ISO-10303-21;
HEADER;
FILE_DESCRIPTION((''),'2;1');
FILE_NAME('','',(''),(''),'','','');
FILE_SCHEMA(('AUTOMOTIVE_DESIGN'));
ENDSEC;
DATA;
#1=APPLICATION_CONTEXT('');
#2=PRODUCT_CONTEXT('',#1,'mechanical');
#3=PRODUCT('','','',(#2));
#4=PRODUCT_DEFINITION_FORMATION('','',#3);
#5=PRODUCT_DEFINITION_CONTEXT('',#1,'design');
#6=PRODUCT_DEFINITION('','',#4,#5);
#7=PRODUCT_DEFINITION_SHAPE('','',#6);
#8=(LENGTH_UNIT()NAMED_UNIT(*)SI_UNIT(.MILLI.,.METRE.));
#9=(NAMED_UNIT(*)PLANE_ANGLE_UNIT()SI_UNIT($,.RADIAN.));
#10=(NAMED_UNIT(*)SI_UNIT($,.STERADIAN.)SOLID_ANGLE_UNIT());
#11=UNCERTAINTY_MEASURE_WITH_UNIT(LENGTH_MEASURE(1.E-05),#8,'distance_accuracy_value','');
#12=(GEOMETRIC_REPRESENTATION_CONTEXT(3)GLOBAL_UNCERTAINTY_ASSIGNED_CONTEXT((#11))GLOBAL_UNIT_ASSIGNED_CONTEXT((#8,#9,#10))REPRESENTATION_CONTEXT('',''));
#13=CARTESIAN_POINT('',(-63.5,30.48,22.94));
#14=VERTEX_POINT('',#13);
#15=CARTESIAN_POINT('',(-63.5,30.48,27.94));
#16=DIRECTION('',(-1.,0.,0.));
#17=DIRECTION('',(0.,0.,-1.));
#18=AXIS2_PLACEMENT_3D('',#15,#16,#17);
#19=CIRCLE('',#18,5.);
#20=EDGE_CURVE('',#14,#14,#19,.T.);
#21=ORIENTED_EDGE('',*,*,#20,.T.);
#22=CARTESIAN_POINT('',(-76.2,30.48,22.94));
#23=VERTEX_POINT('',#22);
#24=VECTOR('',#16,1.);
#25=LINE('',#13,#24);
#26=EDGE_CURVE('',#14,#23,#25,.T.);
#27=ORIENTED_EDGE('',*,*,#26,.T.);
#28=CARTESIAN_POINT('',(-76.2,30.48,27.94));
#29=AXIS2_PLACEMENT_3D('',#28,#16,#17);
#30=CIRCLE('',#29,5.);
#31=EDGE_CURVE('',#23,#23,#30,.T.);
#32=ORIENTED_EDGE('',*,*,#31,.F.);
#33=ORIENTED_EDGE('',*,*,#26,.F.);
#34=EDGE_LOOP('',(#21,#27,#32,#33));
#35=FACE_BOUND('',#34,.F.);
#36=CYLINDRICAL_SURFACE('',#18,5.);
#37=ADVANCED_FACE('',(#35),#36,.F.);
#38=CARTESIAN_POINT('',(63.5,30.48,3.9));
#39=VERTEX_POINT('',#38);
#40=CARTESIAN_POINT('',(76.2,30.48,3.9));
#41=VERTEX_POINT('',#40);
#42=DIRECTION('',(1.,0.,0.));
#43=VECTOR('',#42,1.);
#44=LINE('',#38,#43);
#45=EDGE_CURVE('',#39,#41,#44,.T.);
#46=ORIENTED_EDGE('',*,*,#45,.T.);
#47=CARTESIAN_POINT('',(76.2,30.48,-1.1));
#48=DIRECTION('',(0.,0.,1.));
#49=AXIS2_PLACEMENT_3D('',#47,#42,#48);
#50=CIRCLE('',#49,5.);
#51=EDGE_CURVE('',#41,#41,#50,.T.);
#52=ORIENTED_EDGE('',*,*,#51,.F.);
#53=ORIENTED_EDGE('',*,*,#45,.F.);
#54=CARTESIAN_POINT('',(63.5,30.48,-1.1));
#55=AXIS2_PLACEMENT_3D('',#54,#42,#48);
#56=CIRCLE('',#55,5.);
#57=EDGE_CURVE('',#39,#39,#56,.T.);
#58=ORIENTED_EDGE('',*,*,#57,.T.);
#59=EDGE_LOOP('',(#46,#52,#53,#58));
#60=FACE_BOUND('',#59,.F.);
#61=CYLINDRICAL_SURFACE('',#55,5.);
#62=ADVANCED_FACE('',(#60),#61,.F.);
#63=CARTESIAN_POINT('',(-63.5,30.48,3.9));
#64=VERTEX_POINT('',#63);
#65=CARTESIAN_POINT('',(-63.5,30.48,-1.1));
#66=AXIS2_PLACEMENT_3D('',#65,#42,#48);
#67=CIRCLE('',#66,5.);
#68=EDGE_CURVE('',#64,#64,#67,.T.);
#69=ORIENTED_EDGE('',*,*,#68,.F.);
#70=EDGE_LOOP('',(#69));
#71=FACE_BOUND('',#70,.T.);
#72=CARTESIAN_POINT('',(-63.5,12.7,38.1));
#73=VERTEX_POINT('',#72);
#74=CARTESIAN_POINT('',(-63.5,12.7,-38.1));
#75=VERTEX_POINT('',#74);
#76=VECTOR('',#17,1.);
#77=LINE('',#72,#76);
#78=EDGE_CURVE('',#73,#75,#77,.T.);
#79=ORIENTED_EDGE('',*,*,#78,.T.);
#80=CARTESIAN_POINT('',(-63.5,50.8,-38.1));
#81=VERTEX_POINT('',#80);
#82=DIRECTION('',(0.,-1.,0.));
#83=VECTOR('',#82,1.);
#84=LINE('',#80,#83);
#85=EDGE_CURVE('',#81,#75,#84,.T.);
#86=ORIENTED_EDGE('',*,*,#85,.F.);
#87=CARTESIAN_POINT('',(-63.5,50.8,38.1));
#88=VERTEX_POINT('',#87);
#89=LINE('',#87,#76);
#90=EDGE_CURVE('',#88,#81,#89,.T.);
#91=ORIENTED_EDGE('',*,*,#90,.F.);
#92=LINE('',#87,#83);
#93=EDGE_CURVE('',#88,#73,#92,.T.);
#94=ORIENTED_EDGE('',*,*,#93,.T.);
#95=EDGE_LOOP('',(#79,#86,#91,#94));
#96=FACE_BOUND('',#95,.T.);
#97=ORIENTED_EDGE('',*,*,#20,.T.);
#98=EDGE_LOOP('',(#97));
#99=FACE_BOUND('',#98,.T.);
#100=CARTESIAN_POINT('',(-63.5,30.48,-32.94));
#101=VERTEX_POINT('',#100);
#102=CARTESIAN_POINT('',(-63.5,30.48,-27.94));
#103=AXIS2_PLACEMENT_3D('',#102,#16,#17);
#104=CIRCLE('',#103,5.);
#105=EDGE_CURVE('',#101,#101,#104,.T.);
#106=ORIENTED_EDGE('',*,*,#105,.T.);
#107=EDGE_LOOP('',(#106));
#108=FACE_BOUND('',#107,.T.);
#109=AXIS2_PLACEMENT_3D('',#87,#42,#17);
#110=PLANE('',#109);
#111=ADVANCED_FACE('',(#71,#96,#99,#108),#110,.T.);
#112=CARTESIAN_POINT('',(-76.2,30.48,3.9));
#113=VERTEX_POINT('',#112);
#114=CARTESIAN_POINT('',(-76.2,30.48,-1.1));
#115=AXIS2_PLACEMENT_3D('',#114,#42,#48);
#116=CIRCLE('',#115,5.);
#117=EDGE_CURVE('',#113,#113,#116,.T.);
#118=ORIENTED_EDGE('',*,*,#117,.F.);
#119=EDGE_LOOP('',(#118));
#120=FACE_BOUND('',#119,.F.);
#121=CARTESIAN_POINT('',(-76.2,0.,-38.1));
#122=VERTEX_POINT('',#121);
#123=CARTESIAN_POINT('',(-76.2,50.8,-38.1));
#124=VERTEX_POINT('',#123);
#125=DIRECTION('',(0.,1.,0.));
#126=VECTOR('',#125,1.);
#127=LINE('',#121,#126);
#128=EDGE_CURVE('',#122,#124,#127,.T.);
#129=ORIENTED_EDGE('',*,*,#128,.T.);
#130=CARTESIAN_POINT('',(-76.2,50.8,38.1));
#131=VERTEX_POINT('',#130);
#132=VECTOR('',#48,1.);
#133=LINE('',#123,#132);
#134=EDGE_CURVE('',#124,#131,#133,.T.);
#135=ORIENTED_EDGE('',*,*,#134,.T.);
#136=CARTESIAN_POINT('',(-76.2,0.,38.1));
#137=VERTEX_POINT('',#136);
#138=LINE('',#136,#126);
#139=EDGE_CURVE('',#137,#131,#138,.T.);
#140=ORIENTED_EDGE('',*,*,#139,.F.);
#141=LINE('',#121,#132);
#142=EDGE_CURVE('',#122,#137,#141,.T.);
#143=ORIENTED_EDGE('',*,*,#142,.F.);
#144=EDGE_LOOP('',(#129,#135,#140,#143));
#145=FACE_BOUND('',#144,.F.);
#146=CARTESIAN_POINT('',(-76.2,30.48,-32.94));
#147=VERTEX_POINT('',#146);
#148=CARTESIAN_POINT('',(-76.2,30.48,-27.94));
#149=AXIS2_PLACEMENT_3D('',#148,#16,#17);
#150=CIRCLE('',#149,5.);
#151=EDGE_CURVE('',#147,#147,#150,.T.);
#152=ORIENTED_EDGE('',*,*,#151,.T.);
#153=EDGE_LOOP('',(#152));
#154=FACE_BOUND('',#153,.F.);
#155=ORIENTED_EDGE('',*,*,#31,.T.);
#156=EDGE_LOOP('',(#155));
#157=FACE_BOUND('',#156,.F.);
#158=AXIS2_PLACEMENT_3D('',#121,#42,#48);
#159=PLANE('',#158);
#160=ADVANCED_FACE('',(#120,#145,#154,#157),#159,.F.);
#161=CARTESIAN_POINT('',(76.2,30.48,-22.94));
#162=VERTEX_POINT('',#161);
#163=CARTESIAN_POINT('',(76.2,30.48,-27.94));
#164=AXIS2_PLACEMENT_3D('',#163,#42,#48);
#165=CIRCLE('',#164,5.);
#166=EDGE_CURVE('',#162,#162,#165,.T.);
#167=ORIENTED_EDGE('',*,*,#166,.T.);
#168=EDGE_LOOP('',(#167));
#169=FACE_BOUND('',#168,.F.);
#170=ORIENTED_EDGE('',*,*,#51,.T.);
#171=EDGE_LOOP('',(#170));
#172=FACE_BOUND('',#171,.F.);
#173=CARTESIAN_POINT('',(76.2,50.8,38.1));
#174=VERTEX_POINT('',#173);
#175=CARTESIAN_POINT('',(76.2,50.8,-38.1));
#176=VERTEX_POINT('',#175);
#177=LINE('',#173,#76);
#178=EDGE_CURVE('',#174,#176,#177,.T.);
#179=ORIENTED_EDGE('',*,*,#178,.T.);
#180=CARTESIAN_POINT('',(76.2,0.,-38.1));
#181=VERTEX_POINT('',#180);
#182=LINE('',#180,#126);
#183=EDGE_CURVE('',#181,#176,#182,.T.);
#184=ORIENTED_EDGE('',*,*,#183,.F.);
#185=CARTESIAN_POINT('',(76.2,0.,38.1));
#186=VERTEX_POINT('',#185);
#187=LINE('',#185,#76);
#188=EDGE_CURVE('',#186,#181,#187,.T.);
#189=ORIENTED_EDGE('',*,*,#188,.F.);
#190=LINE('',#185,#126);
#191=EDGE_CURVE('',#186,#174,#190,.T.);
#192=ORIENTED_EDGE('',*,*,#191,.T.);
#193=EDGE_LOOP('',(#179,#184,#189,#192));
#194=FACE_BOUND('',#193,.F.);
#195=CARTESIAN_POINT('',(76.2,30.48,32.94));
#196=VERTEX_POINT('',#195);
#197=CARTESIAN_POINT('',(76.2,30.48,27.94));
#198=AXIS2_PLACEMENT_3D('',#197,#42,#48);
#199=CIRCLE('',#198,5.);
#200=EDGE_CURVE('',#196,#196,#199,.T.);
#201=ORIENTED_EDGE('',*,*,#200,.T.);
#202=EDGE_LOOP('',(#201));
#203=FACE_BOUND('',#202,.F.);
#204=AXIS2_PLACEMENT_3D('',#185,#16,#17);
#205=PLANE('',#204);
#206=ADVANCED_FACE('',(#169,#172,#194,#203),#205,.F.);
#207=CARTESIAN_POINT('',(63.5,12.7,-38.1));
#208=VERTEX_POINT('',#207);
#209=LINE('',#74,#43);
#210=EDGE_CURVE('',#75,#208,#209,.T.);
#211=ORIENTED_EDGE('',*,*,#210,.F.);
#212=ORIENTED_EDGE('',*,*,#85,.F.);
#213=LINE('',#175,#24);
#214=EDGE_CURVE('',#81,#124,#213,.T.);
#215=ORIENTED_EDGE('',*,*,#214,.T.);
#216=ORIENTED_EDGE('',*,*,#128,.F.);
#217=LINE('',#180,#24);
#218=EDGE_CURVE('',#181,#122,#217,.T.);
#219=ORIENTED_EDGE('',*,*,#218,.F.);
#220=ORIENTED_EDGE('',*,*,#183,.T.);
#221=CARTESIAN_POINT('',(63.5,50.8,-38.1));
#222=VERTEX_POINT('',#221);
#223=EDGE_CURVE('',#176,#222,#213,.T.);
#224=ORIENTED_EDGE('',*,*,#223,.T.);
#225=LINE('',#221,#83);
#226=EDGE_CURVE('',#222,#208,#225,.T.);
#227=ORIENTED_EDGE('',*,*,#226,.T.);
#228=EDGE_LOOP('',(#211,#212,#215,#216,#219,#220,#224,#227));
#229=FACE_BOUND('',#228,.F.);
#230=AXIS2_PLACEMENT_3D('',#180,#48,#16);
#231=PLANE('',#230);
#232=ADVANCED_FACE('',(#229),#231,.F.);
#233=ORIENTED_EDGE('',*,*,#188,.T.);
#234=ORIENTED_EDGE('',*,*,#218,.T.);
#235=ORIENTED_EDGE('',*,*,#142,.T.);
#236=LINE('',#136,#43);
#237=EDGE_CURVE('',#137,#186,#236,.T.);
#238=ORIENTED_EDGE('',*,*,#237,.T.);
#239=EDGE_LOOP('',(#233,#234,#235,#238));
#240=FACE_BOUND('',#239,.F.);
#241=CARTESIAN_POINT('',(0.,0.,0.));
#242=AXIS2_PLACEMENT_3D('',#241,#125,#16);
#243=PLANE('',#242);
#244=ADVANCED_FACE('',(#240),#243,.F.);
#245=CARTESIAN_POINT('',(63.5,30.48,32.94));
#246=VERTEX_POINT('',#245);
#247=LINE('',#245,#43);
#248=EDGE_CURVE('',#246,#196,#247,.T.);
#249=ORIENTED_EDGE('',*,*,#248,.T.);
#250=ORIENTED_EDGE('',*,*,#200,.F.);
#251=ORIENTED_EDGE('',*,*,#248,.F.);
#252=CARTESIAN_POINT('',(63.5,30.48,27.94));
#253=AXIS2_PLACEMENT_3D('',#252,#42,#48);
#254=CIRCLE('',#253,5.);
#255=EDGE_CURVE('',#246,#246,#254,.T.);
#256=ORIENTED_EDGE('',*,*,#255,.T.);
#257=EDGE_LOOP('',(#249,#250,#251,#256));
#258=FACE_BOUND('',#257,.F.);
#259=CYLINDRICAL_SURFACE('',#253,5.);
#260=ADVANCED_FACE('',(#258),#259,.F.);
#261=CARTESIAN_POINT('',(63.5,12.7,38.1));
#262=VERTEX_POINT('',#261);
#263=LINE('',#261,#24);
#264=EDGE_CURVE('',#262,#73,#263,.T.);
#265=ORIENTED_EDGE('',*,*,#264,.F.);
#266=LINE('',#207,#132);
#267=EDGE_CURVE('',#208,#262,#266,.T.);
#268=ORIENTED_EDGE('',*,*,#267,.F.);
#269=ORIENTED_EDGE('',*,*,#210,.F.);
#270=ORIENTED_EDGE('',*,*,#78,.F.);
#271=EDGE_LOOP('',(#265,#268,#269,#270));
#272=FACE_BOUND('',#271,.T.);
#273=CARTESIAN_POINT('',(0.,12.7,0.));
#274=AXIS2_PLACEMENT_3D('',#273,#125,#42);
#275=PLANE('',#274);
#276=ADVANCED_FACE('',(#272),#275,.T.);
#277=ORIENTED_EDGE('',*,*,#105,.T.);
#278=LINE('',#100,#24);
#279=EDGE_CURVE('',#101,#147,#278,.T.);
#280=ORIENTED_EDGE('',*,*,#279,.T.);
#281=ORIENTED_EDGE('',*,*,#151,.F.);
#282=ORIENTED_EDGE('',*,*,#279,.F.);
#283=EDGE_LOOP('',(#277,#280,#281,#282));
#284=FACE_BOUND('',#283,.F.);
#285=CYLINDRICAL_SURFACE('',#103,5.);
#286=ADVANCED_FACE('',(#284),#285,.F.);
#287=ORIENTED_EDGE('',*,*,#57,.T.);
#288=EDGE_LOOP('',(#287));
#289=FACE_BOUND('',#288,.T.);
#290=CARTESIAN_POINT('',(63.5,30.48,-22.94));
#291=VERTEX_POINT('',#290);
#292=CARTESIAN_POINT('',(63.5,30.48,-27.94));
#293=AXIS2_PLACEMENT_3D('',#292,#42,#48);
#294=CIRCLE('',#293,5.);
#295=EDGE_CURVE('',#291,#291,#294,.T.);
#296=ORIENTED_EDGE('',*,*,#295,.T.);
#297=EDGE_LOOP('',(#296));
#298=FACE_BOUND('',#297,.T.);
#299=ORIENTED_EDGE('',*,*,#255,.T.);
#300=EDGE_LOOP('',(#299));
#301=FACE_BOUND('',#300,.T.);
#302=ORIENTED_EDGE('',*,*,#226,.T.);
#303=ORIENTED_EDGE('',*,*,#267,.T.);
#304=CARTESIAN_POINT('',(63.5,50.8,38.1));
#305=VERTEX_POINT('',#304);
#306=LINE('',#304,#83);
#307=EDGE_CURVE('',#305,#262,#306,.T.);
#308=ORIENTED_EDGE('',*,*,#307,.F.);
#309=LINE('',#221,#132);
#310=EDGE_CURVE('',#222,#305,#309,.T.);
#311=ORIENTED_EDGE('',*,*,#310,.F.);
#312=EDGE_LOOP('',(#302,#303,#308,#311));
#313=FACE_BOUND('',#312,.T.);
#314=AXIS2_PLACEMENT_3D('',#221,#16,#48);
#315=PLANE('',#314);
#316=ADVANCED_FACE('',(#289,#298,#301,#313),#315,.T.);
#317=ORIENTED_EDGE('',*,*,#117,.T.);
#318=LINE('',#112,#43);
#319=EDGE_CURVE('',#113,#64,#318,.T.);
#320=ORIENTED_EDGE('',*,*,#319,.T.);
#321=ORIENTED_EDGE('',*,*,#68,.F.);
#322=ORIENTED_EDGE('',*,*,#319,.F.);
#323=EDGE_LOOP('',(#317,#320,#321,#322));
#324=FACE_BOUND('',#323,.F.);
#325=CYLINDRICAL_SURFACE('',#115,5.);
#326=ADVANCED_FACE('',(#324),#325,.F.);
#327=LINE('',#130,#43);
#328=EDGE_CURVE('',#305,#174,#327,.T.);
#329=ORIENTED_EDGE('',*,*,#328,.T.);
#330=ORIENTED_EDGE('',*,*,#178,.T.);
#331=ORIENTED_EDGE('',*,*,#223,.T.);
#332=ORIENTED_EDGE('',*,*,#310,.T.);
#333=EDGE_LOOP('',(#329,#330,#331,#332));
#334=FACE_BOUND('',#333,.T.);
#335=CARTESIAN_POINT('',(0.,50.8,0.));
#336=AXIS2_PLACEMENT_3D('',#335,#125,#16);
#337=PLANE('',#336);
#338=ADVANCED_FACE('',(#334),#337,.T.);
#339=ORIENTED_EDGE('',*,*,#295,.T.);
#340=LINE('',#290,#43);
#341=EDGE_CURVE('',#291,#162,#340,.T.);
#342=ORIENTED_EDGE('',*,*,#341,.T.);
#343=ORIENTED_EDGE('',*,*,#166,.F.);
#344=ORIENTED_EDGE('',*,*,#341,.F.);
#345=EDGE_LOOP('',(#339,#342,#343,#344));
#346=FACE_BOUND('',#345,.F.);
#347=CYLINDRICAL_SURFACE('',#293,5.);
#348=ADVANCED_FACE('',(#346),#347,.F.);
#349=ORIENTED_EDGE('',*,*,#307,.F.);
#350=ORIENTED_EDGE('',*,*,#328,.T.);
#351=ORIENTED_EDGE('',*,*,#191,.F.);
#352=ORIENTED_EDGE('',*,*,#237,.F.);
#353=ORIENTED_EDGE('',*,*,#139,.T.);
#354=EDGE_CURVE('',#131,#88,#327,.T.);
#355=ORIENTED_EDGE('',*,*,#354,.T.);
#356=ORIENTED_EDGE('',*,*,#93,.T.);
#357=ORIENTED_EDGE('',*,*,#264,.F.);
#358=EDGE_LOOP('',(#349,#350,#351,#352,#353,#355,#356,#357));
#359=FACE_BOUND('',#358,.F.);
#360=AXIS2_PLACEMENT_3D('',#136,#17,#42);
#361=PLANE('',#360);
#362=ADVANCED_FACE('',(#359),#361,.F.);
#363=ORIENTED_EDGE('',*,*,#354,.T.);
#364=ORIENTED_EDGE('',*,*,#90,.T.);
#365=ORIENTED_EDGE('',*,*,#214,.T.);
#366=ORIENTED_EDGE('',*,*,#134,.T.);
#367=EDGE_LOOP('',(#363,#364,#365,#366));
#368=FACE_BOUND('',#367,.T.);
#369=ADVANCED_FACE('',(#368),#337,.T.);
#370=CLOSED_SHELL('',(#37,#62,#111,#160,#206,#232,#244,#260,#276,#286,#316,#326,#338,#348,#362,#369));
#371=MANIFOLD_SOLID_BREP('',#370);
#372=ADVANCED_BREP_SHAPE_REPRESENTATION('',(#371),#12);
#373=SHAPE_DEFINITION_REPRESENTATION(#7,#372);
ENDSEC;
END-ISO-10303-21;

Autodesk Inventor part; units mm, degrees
ref_plane "YZ Plane" through (0, 0, 0) normal (1, 0, 0) x (0, 1, 0)
ref_plane "XZ Plane" through (0, 0, 0) normal (0, 1, 0) x (-1, 0, 0)
ref_plane "XY Plane" through (0, 0, 0) normal (0, 0, 1) x (1, 0, 0)
sketch "Sketch2" plane through (0, 0, 0) normal (0, 1, 0) x (-1, 0, 0)
  line L0 (-76.2, -38.1) -> (76.2, -38.1)
  line L1 (76.2, -38.1) -> (76.2, 38.1)
  line L2 (76.2, 38.1) -> (-76.2, 38.1)
  line L3 (-76.2, 38.1) -> (-76.2, -38.1)
  line L4 (-76.2, -38.1) -> (76.2, 38.1) construction
  line L5 (76.2, -38.1) -> (-76.2, 38.1) construction
  point P0 (0, 0)
  dimension "d0" = 152.4
  dimension "d1" = 76.2
extrude "Extrusion1" add sketch "Sketch2" along normal blind 50.8
sketch "Sketch3" plane through (0, 50.8, 0) normal (0, 1, 0) x (1, 0, 0)
  line L0 (63.5, -38.1) -> (-63.5, -38.1)
  line L1 (-63.5, -38.1) -> (-63.5, 38.1)
  line L2 (-63.5, 38.1) -> (63.5, 38.1)
  line L3 (63.5, 38.1) -> (63.5, -38.1)
  line L4 (63.5, -38.1) -> (-63.5, 38.1) construction
  line L5 (-63.5, -38.1) -> (63.5, 38.1) construction
  point P0 (0, 0)
  dimension "d4" = 127
  dimension "d5" = 76.2
extrude "Extrusion2" cut sketch "Sketch3" against normal blind 38.1
sketch "Sketch4" plane through (63.5, 50.8, -38.1) normal (-1, 0, 0) x (0, 0, 1)
  line L0 (0, 0) -> (76.2, 0) projected
  line L1 (0, -38.1) -> (0, 0) projected
  point P0 (38.1, -50.8)
  point P1 (10.16, -20.32)
  dimension "d8" = 20.32
  dimension "d9" = 10.16
hole "Hole1" at (63.5, 30.48, -27.94) direction (1, 0, 0) diameter 10 end through all
sketch "Sketch5" plane through (63.5, 50.8, -38.1) normal (-1, 0, 0) x (0, 0, 1)
  line L0 (0, 0) -> (76.2, 0) projected
  line L1 (76.2, 0) -> (76.2, -38.1) projected
  point P0 (38.1, -50.8)
  point P1 (66.04, -20.32)
  dimension "d17" = 20.32
  dimension "d18" = 10.16
hole "Hole2" at (63.5, 30.48, 27.94) direction (1, 0, 0) diameter 10 end through all
sketch "Sketch6" plane through (-63.5, 50.8, 38.1) normal (1, 0, 0) x (0, 0, -1)
  line L0 (0, 0) -> (76.2, 0) projected
  line L1 (0, -38.1) -> (0, 0) projected
  line L2 (76.2, 0) -> (76.2, -38.1) projected
  point P0 (38.1, -50.8)
  point P1 (10.16, -20.32)
  point P2 (66.04, -20.32)
  dimension "d26" = 20.32
  dimension "d27" = 10.16
  dimension "d28" = 20.32
  dimension "d29" = 10.16
hole "Hole3" at (-63.5, 30.48, 27.94) at (-63.5, 30.48, -27.94) direction (-1, 0, 0) diameter 10 end through all
sketch "Sketch7" plane through (63.5, 50.8, -38.1) normal (-1, 0, 0) x (0, 0, 1)
  line L0 (0, 0) -> (76.2, 0) projected
  line L1 (0, -38.1) -> (0, 0) projected
  point P0 (38.1, -50.8)
  point P1 (37, -20.32)
  dimension "d37" = 20.32
  dimension "d38" = 37
hole "Hole4" at (63.5, 30.48, -1.1) direction (1, 0, 0) diameter 10 end through all
sketch "Sketch8" plane through (-76.2, 0, -38.1) normal (-1, 0, 0) x (0, 0, 1)
  line L0 (0, 50.8) -> (76.2, 50.8) projected
  line L1 (0, 0) -> (0, 50.8) projected
  point P0 (38.1, 0)
  point P1 (37, 30.48)
  dimension "d46" = 20.32
  dimension "d47" = 37
hole "Hole5" at (-76.2, 30.48, -1.1) direction (1, 0, 0) diameter 10 end through all
